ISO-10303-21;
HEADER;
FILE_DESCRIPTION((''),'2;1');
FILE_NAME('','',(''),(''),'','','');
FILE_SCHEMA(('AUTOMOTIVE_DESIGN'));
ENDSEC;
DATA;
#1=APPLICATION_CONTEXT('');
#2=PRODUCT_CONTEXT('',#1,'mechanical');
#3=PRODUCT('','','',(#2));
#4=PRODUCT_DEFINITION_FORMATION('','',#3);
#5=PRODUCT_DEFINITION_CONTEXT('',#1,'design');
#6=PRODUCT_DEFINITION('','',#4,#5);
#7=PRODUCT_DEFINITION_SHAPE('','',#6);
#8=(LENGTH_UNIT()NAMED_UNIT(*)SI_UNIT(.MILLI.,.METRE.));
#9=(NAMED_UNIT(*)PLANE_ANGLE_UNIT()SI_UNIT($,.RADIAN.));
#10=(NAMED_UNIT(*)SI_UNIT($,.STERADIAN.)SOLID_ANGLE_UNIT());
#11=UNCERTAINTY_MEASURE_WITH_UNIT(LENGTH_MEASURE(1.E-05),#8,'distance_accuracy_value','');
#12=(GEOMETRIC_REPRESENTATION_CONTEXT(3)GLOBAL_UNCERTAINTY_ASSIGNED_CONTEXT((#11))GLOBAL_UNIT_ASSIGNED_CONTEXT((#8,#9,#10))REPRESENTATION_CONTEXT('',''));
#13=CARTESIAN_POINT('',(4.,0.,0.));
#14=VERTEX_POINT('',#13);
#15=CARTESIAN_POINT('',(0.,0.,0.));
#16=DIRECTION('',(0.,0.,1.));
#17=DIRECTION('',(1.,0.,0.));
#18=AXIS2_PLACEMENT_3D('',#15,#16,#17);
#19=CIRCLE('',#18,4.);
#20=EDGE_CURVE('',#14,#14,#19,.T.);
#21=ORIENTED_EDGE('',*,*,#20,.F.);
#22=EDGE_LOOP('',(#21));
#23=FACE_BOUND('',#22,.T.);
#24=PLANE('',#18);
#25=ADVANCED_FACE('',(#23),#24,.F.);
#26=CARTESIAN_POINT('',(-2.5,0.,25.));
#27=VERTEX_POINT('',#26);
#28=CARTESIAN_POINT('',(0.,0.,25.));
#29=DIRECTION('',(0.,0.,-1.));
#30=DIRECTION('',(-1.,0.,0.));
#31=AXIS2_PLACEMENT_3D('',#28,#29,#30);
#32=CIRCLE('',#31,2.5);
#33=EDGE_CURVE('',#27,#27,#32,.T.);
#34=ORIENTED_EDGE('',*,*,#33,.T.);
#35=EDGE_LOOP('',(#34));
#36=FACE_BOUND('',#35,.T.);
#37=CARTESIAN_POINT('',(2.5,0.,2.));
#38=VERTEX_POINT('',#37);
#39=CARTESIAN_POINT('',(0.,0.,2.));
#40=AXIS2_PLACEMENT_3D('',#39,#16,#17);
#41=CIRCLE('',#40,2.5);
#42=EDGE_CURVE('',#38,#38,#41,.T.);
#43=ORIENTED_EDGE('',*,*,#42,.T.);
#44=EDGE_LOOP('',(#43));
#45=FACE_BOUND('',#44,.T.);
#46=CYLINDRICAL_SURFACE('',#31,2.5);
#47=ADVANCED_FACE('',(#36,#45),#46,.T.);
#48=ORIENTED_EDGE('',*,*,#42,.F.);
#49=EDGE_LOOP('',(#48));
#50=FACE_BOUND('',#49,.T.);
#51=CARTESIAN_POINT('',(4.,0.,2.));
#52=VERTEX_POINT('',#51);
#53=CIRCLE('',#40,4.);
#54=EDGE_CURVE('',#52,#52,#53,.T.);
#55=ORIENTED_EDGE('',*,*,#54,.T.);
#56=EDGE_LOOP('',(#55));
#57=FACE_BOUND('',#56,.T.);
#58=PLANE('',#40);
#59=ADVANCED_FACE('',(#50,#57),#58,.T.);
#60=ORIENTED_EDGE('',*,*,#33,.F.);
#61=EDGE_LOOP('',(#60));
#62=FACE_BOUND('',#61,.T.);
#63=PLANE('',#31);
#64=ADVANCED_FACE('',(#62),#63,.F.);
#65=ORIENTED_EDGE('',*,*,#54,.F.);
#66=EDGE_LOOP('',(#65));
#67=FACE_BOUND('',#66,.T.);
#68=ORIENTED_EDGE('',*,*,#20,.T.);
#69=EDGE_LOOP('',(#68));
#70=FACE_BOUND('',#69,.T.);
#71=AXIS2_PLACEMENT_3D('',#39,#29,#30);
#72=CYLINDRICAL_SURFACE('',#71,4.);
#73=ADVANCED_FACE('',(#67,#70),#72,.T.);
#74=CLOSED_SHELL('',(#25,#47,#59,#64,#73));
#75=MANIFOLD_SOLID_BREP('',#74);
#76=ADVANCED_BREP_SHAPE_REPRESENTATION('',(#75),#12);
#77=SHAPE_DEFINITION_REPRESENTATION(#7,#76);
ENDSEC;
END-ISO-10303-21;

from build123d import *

# Parameters (mm, degrees)
SKICA1_R                = 4
P_IDAT_VYSUNUT_M2_DEPTH = 2
SKICA2_R                = 2.5
P_IDAT_VYSUNUT_M3_DEPTH = 25


with BuildPart() as part:
    # Skica1 → Přidat vysunutím2 (new body)
    with BuildSketch(Plane.XY):
        Circle(SKICA1_R)
    extrude(amount=P_IDAT_VYSUNUT_M2_DEPTH)

    # Skica2 → Přidat vysunutím3 (add)
    with BuildSketch(Plane(origin=(0, 0, 0), x_dir=(-1, 0, 0), z_dir=(0, 0, -1))):
        Circle(SKICA2_R)
    extrude(amount=-P_IDAT_VYSUNUT_M3_DEPTH)


solid = part.part
